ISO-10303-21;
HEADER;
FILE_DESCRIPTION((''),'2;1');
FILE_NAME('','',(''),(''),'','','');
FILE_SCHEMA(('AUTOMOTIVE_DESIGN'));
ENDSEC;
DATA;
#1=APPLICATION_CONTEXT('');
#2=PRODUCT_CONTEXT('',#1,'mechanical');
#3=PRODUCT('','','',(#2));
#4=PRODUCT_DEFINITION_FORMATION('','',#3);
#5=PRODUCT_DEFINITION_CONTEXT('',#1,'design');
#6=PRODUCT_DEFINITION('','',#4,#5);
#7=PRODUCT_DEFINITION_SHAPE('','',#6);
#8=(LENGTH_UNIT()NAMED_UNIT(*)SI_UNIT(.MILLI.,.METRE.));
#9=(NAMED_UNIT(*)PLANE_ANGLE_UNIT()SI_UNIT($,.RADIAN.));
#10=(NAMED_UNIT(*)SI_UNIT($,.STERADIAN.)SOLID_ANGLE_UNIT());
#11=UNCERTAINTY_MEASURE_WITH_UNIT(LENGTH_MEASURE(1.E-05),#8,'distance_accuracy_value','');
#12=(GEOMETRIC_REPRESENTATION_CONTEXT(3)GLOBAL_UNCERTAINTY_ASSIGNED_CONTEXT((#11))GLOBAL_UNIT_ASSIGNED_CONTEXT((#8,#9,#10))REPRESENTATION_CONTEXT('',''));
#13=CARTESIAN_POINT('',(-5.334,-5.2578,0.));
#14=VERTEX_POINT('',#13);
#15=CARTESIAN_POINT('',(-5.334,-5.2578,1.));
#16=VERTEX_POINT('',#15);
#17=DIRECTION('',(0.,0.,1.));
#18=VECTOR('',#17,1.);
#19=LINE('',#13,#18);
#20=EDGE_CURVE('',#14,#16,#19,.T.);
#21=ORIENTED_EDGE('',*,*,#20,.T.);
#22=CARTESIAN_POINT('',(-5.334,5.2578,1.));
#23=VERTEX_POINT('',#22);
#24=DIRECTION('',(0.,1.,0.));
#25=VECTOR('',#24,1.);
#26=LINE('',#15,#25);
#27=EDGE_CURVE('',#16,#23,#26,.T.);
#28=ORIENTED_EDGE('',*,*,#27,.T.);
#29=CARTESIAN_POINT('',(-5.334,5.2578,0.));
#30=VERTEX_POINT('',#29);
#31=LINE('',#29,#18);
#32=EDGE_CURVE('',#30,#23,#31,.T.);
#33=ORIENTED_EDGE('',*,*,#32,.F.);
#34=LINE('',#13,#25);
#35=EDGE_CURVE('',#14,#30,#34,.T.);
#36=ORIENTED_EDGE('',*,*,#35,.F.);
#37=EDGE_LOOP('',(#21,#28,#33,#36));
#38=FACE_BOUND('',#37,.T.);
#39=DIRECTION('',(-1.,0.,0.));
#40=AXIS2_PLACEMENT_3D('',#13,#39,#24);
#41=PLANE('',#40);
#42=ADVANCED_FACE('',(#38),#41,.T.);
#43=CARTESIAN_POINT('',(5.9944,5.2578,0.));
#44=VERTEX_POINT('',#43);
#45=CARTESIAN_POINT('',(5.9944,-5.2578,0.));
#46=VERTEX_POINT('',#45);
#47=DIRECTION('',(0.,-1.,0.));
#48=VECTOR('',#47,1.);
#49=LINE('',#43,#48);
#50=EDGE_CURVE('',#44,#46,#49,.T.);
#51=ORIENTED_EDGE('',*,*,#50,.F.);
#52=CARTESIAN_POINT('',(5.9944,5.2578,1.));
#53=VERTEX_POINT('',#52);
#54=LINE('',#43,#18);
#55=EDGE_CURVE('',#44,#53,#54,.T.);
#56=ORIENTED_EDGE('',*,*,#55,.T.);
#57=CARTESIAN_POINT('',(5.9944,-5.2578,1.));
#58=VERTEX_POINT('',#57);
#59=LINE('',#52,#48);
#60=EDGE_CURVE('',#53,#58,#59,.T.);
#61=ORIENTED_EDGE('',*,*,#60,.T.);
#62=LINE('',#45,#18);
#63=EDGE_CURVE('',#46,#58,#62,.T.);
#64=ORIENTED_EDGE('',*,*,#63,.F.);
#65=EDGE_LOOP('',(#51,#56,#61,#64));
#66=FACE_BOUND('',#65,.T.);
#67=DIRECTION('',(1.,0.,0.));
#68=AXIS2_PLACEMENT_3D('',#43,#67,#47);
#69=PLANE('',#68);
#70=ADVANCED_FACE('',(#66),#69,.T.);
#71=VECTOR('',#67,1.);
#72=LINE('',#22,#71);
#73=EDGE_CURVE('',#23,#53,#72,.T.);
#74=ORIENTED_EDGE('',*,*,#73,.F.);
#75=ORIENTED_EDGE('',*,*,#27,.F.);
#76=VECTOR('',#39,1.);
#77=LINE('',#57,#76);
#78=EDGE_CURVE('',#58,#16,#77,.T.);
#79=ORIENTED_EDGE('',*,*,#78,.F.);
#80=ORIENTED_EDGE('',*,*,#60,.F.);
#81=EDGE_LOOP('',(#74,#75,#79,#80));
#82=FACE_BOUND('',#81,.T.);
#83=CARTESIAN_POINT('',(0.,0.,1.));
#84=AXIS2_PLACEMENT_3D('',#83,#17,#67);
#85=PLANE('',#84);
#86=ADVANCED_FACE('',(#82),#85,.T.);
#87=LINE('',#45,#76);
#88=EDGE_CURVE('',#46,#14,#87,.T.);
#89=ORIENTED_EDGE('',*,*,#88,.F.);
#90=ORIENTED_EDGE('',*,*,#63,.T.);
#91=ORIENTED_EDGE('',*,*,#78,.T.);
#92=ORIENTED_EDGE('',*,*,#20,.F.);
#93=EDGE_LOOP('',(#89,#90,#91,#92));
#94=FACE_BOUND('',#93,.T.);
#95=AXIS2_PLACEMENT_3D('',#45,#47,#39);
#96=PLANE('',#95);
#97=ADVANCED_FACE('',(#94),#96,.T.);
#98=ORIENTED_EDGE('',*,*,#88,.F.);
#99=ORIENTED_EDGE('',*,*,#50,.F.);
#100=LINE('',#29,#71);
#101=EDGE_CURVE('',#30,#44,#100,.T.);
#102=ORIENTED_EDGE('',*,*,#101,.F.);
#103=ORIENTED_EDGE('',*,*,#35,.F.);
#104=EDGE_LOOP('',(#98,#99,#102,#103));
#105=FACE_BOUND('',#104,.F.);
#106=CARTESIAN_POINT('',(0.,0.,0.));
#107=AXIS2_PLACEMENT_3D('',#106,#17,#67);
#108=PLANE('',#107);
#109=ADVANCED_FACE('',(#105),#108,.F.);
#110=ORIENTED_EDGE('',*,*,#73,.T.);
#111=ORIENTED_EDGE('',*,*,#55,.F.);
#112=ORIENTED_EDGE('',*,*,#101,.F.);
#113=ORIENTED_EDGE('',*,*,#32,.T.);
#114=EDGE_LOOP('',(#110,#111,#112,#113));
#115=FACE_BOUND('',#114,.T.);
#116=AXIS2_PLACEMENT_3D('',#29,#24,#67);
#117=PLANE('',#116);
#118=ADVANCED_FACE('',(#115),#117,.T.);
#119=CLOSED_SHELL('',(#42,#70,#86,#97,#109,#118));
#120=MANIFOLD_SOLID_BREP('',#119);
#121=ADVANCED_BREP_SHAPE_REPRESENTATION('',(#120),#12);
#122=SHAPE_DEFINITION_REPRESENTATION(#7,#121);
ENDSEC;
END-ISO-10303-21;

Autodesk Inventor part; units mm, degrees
ref_plane "YZ Plane" through (0, 0, 0) normal (1, 0, 0) x (0, 1, 0)
ref_plane "XZ Plane" through (0, 0, 0) normal (0, 1, 0) x (-1, 0, 0)
ref_plane "XY Plane" through (0, 0, 0) normal (0, 0, 1) x (1, 0, 0)
sketch "SOIC127P1032X265-16N, ADUM5000ARWZ_7" plane through (0, 0, 0) normal (0, 0, 1) x (1, 0, 0)
  line L0 (-5.334, 5.2578) -> (5.9944, 5.2578)
  line L1 (5.9944, 5.2578) -> (5.9944, -5.2578)
  line L2 (5.9944, -5.2578) -> (-5.334, -5.2578)
  line L3 (-5.334, -5.2578) -> (-5.334, 5.2578)
extrude "Extrusion1" add sketch "SOIC127P1032X265-16N, ADUM5000ARWZ_7" along normal blind 1
properties part number "ADUM5000ARWZ"
